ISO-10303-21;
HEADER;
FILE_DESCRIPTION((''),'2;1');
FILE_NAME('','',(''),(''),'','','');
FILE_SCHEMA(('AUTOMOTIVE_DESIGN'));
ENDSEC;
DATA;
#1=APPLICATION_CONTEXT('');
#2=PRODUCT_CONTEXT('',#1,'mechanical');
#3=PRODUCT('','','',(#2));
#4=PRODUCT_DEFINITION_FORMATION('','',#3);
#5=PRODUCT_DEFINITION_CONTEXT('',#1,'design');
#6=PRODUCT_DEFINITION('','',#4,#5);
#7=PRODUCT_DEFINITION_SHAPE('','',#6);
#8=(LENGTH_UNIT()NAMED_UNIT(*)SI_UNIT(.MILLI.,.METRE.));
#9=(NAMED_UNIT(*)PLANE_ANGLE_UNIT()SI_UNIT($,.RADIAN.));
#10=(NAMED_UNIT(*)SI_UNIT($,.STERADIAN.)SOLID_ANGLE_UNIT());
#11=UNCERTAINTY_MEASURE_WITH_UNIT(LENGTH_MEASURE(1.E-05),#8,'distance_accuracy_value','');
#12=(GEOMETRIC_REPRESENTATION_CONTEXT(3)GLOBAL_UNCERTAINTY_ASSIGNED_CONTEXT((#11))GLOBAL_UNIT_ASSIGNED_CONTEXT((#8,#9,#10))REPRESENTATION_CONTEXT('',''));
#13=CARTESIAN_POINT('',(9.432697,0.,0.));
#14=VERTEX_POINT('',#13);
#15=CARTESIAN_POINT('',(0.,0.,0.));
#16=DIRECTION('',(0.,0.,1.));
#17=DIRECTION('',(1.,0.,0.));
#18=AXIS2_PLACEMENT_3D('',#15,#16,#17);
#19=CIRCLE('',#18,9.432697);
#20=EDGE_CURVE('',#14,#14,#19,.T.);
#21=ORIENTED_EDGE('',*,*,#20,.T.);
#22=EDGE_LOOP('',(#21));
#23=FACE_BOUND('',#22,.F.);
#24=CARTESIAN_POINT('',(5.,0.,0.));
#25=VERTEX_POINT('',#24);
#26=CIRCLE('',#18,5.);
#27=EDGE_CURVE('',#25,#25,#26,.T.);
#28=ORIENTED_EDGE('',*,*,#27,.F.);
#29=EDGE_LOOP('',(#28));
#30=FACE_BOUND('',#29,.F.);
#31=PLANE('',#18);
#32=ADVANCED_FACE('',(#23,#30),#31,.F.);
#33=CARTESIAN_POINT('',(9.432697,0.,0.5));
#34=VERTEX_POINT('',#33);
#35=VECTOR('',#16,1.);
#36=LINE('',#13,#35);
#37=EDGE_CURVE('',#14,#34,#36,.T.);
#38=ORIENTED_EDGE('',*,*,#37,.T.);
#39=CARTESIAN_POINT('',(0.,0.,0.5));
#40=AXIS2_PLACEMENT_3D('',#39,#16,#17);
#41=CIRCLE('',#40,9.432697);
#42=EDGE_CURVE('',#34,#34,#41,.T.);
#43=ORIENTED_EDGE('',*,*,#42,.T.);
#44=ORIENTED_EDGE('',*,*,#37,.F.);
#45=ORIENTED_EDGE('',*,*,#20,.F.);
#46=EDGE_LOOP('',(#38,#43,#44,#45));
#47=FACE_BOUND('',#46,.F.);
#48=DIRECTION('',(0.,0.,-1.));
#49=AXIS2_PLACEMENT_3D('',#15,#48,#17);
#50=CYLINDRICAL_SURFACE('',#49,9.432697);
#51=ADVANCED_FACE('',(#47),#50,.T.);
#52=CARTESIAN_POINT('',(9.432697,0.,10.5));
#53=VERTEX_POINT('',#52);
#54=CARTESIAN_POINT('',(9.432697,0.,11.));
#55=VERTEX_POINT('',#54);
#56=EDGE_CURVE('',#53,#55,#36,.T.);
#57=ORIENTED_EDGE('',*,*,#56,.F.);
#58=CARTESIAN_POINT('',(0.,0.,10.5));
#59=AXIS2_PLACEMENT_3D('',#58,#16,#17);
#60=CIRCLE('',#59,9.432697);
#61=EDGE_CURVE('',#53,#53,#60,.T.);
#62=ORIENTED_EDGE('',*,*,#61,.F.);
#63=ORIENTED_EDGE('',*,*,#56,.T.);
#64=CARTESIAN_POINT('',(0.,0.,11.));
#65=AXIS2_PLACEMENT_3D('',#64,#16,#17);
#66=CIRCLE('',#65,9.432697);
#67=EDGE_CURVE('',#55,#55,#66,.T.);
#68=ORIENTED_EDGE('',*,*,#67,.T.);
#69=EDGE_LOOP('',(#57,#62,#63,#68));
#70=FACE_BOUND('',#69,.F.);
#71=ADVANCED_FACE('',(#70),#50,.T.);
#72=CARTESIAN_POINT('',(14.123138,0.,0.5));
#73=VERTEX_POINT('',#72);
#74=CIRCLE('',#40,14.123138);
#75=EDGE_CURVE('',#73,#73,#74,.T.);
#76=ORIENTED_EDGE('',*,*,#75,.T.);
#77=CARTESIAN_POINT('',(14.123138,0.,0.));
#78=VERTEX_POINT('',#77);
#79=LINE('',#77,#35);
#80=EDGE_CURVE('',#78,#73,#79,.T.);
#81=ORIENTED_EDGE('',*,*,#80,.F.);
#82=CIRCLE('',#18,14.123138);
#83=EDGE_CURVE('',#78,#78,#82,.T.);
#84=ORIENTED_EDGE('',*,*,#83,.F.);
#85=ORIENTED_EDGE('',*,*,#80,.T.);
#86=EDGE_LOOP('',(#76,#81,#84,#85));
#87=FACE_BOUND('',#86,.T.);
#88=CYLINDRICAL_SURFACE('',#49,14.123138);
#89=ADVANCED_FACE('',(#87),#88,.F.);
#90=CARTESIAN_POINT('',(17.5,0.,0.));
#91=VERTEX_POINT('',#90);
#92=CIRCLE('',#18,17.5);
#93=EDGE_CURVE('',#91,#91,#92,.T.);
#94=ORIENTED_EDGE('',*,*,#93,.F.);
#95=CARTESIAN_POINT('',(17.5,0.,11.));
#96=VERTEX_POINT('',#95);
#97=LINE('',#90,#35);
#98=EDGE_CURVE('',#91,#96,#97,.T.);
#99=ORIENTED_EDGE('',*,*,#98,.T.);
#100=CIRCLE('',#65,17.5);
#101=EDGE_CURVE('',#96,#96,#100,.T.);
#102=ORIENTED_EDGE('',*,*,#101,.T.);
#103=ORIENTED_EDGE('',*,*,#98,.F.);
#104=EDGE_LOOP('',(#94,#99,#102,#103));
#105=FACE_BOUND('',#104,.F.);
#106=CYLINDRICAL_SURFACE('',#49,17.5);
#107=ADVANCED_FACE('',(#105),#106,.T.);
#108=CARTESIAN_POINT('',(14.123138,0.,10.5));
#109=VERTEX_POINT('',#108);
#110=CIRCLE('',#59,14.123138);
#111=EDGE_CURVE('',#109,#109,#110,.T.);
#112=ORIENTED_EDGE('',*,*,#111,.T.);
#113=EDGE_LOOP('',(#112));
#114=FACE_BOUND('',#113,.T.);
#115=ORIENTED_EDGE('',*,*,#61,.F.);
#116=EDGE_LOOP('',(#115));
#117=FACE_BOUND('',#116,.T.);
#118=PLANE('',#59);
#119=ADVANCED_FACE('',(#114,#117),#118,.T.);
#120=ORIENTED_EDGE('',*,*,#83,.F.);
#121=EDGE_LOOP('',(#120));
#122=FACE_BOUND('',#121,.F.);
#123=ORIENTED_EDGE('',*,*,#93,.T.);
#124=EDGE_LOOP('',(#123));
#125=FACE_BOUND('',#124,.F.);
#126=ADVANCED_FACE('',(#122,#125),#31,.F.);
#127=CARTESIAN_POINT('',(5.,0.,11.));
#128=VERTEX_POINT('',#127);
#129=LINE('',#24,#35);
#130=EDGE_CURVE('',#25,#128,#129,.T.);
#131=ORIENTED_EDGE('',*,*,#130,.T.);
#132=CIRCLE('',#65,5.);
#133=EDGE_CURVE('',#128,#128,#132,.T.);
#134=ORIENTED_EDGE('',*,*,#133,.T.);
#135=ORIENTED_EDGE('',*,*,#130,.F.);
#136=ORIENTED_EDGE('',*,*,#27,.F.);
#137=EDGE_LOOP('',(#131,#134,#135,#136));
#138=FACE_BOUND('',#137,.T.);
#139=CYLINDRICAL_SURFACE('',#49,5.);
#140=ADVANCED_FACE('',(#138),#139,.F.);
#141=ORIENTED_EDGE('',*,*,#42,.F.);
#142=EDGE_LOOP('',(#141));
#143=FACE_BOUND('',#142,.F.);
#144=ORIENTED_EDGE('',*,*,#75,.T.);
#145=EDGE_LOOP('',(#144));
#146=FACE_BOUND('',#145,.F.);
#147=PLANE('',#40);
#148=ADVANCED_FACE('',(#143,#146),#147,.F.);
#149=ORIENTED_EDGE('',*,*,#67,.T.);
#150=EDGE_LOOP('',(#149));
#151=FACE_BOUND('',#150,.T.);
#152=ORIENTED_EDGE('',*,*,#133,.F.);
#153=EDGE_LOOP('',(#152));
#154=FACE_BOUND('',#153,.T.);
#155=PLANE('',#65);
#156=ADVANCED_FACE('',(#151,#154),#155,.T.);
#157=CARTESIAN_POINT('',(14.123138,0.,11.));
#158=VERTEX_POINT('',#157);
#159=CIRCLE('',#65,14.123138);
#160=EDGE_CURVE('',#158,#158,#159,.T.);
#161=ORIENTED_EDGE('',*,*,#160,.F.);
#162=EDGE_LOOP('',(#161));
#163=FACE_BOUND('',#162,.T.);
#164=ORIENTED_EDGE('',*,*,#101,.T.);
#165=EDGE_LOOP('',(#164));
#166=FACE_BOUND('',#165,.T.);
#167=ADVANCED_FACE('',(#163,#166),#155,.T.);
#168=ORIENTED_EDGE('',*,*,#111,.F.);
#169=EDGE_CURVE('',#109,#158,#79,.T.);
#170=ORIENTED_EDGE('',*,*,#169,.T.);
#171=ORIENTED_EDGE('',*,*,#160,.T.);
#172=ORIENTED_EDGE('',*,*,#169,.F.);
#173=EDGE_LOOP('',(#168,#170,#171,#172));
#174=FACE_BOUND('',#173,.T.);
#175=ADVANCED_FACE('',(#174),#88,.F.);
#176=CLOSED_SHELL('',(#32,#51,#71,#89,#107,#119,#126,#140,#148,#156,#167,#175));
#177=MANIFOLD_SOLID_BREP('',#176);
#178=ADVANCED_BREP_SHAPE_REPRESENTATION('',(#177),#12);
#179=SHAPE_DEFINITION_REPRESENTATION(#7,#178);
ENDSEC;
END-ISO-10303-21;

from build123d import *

# Parameters (mm, degrees)
F0_R     = 9.4326970336
F0_R_2   = 5
F1_DEPTH = 11
F0_R_3   = 17.5
F0_R_4   = 14.1231381544
F2_START = 0.5
F2_DEPTH = 10


with BuildPart() as f1:
    # F0 (on Top) → F1 (new body)
    with BuildSketch(Plane.XY):
        Circle(F0_R)
        Circle(F0_R_2, mode=Mode.SUBTRACT)
    extrude(amount=F1_DEPTH)



with BuildPart() as f1b:
    # F0 (on Top) → F1, piece 2 (new body)
    with BuildSketch(Plane.XY):
        Circle(F0_R_3)
        Circle(F0_R_4, mode=Mode.SUBTRACT)
    extrude(amount=F1_DEPTH)


with BuildPart() as f1_1:
    add(f1.part)

    add(f1b.part)  # F2 merges F1b
    # F0 (on Top) → F2 (join)
    with BuildSketch(Plane.XY.offset(F2_START)):
        Circle(F0_R_4)
        Circle(F0_R, mode=Mode.SUBTRACT)
    extrude(amount=F2_DEPTH)


solid = f1_1.part
